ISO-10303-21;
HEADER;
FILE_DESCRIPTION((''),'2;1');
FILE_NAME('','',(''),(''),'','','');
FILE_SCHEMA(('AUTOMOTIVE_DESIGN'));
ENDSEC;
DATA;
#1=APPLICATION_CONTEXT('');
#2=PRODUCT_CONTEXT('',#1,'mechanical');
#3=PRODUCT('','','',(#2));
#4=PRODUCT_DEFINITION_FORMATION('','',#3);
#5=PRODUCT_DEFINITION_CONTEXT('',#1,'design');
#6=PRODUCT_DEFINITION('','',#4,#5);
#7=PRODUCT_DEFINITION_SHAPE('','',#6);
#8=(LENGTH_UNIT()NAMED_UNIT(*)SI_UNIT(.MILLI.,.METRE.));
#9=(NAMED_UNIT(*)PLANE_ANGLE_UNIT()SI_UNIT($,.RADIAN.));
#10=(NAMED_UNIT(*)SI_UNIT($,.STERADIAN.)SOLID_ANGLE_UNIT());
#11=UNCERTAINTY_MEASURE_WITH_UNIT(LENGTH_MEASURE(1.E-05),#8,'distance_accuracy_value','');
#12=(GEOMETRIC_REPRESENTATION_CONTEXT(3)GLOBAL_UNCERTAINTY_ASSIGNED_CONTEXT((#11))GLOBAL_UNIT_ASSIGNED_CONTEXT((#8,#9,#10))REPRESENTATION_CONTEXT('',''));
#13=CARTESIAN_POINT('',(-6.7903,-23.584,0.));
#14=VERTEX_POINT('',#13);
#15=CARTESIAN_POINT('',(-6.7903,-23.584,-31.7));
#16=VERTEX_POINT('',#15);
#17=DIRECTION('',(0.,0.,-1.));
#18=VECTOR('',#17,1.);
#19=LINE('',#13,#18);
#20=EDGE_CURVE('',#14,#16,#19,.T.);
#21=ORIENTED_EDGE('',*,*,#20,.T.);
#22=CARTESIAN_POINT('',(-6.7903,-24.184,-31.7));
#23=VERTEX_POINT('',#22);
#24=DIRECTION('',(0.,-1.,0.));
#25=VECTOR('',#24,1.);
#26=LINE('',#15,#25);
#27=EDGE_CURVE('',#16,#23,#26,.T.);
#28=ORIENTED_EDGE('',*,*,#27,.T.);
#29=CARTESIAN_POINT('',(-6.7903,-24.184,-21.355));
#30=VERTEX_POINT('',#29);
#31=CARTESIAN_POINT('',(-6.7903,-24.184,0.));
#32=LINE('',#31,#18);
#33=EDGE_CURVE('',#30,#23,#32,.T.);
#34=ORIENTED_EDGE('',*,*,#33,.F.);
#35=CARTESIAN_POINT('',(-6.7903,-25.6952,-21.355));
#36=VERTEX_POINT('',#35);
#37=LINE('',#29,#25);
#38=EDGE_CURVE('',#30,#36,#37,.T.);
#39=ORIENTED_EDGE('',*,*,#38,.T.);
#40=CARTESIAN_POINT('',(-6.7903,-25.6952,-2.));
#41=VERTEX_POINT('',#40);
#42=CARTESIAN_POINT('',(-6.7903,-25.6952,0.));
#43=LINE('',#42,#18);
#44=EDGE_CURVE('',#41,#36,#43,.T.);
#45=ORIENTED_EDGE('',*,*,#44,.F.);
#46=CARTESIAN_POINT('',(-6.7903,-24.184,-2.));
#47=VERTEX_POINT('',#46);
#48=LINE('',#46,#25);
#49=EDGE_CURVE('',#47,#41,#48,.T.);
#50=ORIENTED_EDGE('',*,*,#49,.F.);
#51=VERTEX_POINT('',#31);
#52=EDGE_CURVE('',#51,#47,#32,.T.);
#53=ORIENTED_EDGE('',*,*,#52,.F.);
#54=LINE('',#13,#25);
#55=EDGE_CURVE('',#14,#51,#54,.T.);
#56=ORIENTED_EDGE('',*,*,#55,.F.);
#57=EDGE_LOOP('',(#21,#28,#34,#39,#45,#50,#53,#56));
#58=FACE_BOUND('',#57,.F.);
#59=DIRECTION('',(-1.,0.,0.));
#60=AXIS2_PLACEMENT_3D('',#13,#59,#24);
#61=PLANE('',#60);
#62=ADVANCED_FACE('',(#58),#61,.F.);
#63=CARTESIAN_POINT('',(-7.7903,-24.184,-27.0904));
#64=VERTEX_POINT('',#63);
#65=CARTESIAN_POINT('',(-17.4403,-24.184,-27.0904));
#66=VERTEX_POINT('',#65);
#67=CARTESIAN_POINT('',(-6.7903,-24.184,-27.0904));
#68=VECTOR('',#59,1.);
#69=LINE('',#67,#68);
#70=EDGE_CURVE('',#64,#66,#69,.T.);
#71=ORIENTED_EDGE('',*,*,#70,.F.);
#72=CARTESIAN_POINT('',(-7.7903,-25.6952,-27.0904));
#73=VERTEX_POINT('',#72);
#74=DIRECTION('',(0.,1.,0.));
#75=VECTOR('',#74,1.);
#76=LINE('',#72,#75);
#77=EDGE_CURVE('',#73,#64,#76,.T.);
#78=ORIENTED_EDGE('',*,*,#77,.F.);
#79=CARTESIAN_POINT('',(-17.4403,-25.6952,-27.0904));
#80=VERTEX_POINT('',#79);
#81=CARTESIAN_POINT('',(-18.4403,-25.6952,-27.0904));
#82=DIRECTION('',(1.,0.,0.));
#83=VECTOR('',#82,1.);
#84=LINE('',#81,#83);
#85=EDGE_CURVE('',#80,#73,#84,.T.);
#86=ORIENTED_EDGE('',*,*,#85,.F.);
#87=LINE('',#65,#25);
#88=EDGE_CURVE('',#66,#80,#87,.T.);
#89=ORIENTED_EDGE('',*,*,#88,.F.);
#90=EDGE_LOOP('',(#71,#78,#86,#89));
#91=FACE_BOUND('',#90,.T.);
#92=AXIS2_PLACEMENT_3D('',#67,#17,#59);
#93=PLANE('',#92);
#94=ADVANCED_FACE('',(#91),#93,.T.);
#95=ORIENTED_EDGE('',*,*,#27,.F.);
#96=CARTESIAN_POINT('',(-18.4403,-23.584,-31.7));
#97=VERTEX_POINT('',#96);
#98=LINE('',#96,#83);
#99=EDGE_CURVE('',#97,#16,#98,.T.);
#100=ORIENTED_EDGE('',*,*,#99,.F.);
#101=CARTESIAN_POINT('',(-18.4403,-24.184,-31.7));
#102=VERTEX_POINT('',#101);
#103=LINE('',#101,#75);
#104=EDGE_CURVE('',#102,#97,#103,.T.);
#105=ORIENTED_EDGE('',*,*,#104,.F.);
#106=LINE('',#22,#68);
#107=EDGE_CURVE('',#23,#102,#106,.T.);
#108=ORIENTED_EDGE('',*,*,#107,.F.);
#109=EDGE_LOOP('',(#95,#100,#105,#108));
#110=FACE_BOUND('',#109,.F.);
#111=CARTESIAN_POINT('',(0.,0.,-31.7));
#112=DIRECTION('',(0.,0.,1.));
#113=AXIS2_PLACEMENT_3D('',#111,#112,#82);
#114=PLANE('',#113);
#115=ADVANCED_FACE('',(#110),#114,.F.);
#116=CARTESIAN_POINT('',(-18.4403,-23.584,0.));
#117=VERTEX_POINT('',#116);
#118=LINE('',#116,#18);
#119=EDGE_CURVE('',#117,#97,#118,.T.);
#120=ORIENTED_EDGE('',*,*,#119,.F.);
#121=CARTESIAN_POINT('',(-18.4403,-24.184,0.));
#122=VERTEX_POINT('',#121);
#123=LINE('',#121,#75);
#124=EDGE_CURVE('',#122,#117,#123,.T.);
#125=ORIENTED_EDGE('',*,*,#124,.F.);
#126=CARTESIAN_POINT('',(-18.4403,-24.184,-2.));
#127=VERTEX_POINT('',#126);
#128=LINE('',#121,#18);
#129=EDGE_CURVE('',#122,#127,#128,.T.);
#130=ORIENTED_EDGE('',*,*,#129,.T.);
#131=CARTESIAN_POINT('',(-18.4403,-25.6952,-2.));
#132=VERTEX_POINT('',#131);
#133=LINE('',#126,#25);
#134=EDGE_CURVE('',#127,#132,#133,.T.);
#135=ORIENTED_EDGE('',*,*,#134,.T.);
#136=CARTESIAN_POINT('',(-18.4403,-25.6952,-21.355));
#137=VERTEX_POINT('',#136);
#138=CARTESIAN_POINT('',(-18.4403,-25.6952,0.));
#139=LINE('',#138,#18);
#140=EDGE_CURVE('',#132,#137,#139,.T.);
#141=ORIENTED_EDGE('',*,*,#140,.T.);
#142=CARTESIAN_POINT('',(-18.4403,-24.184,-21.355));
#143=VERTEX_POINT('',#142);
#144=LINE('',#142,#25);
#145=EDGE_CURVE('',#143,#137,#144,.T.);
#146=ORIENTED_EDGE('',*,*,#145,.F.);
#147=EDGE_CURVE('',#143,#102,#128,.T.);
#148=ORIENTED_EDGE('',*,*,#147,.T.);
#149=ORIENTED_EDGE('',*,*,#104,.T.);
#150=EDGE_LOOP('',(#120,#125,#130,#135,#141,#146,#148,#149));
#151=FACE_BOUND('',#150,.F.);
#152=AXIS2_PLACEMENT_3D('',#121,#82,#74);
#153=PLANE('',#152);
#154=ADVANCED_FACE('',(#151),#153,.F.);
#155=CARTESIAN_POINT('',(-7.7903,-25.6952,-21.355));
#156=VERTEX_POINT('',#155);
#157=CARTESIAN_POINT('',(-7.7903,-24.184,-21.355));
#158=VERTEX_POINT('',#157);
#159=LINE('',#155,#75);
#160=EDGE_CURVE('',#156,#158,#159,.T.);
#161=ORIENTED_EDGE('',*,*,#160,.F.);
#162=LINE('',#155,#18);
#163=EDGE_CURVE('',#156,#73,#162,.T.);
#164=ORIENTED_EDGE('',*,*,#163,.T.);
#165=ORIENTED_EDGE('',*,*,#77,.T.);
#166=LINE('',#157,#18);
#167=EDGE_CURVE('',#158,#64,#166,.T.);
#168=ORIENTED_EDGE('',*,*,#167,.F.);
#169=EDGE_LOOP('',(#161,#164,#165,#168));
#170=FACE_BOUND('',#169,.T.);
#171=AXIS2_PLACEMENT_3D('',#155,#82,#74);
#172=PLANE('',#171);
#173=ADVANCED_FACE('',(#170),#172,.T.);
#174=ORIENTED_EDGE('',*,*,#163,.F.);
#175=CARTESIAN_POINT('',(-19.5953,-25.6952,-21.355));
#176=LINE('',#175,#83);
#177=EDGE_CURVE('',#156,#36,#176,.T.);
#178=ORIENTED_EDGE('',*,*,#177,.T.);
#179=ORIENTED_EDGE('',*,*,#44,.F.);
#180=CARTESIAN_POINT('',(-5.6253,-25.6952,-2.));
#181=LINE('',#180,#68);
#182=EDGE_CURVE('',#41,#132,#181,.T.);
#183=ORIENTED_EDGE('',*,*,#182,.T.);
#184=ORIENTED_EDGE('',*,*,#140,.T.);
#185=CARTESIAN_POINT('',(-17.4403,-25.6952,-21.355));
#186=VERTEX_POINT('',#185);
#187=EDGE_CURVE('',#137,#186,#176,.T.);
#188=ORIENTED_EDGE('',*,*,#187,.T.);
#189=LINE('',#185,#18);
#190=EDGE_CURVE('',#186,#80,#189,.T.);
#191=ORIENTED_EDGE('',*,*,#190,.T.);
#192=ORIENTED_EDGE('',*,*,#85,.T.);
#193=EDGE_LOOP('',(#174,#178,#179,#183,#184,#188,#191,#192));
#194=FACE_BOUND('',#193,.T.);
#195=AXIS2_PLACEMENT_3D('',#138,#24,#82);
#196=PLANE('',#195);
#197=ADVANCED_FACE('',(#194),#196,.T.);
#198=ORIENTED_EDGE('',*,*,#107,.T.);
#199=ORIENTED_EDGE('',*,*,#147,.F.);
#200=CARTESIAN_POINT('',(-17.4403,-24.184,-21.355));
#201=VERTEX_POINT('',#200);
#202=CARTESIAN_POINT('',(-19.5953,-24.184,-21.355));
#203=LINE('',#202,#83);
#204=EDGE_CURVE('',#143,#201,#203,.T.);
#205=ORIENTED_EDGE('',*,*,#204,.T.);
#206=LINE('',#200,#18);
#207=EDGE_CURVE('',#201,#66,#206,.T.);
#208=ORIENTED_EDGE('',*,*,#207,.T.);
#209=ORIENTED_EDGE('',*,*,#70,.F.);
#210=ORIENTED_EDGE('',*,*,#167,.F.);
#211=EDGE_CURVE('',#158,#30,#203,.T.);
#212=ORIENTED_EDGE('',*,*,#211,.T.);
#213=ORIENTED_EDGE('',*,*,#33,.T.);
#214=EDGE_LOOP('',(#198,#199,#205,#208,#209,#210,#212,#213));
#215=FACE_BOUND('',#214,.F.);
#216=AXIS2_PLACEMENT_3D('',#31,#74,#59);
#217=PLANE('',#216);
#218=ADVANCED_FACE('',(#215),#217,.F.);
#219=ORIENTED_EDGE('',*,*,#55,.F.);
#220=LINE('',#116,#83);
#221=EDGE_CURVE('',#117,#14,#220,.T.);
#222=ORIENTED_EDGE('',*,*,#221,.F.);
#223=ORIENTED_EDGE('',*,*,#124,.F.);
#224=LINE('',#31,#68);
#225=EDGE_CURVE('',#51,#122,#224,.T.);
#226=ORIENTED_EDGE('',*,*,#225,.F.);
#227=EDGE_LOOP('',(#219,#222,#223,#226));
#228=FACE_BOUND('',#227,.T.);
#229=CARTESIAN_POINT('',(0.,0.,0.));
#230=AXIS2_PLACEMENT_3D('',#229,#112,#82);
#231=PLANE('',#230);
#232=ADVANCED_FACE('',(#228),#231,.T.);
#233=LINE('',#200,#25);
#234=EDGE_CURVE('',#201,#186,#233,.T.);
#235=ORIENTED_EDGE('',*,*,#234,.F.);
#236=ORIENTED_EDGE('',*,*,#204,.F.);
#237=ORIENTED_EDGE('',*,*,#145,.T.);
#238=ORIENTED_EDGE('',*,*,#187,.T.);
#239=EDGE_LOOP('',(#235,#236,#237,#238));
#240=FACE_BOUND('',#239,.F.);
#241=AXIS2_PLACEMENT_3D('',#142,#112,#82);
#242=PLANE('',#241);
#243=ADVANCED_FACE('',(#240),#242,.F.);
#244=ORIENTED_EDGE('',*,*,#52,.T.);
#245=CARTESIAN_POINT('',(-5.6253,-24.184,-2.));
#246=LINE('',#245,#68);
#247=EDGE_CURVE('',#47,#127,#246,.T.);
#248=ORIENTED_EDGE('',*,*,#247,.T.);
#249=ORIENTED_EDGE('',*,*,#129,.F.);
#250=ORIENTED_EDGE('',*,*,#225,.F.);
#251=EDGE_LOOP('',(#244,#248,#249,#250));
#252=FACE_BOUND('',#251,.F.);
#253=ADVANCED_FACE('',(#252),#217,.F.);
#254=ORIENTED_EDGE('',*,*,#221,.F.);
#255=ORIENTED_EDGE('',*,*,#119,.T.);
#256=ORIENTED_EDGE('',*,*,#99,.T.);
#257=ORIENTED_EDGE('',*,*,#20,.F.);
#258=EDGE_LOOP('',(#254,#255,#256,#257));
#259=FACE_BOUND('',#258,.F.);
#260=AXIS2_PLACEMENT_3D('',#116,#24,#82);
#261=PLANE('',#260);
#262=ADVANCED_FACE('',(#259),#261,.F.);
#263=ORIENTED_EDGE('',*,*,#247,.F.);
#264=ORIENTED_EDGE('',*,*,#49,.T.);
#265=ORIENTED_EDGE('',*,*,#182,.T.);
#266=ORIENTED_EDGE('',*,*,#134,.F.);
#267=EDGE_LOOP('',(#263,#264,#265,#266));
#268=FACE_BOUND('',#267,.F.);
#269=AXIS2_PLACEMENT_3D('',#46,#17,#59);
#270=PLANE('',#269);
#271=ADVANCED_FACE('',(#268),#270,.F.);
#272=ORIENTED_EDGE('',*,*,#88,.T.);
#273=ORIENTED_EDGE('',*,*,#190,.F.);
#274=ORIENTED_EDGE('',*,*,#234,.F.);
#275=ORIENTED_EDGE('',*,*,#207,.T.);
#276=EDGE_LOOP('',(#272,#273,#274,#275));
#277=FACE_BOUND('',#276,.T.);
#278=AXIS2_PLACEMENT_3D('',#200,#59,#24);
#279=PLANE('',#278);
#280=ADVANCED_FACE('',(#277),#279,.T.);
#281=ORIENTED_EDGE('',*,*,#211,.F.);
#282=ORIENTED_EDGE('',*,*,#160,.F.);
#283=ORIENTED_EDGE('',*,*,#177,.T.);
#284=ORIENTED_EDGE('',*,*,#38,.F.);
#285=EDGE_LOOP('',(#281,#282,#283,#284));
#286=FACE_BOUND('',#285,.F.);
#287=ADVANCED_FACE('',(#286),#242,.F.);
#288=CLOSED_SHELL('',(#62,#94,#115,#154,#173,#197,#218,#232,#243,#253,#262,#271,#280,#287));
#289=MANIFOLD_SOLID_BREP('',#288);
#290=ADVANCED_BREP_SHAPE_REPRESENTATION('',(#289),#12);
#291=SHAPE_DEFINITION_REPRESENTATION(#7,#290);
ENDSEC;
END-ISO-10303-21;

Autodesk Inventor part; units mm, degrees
ref_plane "Work Plane1" through (0, 0, 0) normal (0, 0, 1) x (1, 0, 0)
sketch "Sketch1" plane through (0, 0, 0) normal (0, 0, 1) x (1, 0, 0)
  line L0 (-18.6403, -24.384) -> (-6.5903, -24.384) projected
  line L1 (-6.5903, -24.384) -> (-6.5903, -23.384) projected
  line L2 (-6.5903, -23.384) -> (-18.6403, -23.384) projected
  line L3 (-18.6403, -23.384) -> (-18.6403, -24.384) projected
  line L4 (-18.4403, -23.584) -> (-6.7903, -23.584)
  line L5 (-6.7903, -23.584) -> (-6.7903, -24.184)
  line L6 (-6.7903, -24.184) -> (-18.4403, -24.184)
  line L7 (-18.4403, -24.184) -> (-18.4403, -23.584)
  point P0 (0, 0)
  dimension "d0" = 0.2
ref_plane "Work Plane2" through (-20.1778, -24.509, -31.7) normal (0, 0, -1) x (0, 1, 0)
extrude "Extrusion1" add sketch "Sketch1" against normal up to surface (31.7 mm away) contours L4 L5 L6 L7
sketch "Sketch2" plane through (-18.4403, -24.184, 0) normal (0, -1, 0) x (1, 0, 0)
  line L0 (12.815, -1.2) -> (-1.155, -1.2) projected
  line L1 (-1.155, -22.155) -> (12.815, -22.155) projected
  line L2 (12.815, -2) -> (-1.155, -2)
  line L3 (-1.155, -21.355) -> (12.815, -21.355)
  line L4 (0, 0) -> (0, -31.7) projected
  line L5 (11.65, 0) -> (11.65, -31.7) projected
  point P0 (18.4403, 0)
  point P1 (11.65, -21.355)
  point P2 (11.65, -2)
  point P3 (0, -2)
  point P4 (0, -21.355)
  dimension "d3" = 0.8
  dimension "d4" = 0.8
ref_plane "Work Plane3" through (-12.6103, -25.6952, -11.6775) normal (0, 1, 0) x (0, 0, 1)
extrude "Extrusion2" add sketch "Sketch2" along normal up to surface (1.5112 mm away) contours L5 L3 L4 L2
sketch "Sketch3" plane through (-6.7903, -24.184, -21.355) normal (0, 0, -1) x (-1, 0, 0)
  line L0 (0, 0) -> (11.65, 0) projected
  line L1 (11.65, -1.5112) -> (0, -1.5112) projected
  line L2 (1, 0) -> (10.65, 0)
  line L3 (10.65, 0) -> (10.65, -1.5112)
  line L4 (10.65, -1.5112) -> (1, -1.5112)
  line L5 (1, -1.5112) -> (1, 0)
  line L6 (-1.05, -0.2) -> (2.45, -3.7) projected
  line L7 (8.7, -4.2) -> (12.7, -0.2) projected
  line L8 (0, 0) -> (0, -1.5112) projected
  line L9 (11.65, 0) -> (11.65, -1.5112) projected
  point P0 (-6.7903, 24.184)
  point P1 (1, -1.5112)
  dimension "d7" = 1
  dimension "d8" = 1
ref_plane "Work Plane4" through (-15.4903, -24.384, -27.0904) normal (0, 0, 1) x (1, 0, 0)
extrude "Extrusion3" add sketch "Sketch3" along normal up to surface (5.7354 mm away) contours L0 L3 L1 L5
sketch "Sketch4" plane through (-18.4403, -25.6952, -2) normal (0, -1, 0) x (1, 0, 0)
  line L0 (0, 2) -> (0, -29.7) projected
  line L1 (11.65, 2) -> (11.65, -29.7) projected
  line L2 (0, -14.85) -> (11.65, -14.85)
  line L3 (11.65, -14.85) -> (11.65, -13.85)
  line L4 (11.65, -13.85) -> (0, -13.85)
  line L5 (0, -13.85) -> (0, -14.85)
  line L6 (0, -5.2891) -> (11.65, -5.2891)
  line L7 (11.65, -5.2891) -> (11.65, -4.2891)
  line L8 (11.65, -4.2891) -> (0, -4.2891)
  line L9 (0, -4.2891) -> (0, -5.2891)
  point P0 (18.4403, 2)
  point P1 (0, -4.2891)
  point P2 (0, -5.2891)
  point P3 (0, -13.85)
  dimension "d11" = 1
  dimension "d12" = 1
ref_plane "Work Plane5" through (-21.5003, -26, -22.155) normal (0, 1, 0) x (0, 0, 1)
extrude "Extrusion4" [suppressed]
fillet "Fillet1" [suppressed]
equation "\"d8\" = d7"
equation "\"d12\" = d11"
properties part number "MCU seatbelt"
